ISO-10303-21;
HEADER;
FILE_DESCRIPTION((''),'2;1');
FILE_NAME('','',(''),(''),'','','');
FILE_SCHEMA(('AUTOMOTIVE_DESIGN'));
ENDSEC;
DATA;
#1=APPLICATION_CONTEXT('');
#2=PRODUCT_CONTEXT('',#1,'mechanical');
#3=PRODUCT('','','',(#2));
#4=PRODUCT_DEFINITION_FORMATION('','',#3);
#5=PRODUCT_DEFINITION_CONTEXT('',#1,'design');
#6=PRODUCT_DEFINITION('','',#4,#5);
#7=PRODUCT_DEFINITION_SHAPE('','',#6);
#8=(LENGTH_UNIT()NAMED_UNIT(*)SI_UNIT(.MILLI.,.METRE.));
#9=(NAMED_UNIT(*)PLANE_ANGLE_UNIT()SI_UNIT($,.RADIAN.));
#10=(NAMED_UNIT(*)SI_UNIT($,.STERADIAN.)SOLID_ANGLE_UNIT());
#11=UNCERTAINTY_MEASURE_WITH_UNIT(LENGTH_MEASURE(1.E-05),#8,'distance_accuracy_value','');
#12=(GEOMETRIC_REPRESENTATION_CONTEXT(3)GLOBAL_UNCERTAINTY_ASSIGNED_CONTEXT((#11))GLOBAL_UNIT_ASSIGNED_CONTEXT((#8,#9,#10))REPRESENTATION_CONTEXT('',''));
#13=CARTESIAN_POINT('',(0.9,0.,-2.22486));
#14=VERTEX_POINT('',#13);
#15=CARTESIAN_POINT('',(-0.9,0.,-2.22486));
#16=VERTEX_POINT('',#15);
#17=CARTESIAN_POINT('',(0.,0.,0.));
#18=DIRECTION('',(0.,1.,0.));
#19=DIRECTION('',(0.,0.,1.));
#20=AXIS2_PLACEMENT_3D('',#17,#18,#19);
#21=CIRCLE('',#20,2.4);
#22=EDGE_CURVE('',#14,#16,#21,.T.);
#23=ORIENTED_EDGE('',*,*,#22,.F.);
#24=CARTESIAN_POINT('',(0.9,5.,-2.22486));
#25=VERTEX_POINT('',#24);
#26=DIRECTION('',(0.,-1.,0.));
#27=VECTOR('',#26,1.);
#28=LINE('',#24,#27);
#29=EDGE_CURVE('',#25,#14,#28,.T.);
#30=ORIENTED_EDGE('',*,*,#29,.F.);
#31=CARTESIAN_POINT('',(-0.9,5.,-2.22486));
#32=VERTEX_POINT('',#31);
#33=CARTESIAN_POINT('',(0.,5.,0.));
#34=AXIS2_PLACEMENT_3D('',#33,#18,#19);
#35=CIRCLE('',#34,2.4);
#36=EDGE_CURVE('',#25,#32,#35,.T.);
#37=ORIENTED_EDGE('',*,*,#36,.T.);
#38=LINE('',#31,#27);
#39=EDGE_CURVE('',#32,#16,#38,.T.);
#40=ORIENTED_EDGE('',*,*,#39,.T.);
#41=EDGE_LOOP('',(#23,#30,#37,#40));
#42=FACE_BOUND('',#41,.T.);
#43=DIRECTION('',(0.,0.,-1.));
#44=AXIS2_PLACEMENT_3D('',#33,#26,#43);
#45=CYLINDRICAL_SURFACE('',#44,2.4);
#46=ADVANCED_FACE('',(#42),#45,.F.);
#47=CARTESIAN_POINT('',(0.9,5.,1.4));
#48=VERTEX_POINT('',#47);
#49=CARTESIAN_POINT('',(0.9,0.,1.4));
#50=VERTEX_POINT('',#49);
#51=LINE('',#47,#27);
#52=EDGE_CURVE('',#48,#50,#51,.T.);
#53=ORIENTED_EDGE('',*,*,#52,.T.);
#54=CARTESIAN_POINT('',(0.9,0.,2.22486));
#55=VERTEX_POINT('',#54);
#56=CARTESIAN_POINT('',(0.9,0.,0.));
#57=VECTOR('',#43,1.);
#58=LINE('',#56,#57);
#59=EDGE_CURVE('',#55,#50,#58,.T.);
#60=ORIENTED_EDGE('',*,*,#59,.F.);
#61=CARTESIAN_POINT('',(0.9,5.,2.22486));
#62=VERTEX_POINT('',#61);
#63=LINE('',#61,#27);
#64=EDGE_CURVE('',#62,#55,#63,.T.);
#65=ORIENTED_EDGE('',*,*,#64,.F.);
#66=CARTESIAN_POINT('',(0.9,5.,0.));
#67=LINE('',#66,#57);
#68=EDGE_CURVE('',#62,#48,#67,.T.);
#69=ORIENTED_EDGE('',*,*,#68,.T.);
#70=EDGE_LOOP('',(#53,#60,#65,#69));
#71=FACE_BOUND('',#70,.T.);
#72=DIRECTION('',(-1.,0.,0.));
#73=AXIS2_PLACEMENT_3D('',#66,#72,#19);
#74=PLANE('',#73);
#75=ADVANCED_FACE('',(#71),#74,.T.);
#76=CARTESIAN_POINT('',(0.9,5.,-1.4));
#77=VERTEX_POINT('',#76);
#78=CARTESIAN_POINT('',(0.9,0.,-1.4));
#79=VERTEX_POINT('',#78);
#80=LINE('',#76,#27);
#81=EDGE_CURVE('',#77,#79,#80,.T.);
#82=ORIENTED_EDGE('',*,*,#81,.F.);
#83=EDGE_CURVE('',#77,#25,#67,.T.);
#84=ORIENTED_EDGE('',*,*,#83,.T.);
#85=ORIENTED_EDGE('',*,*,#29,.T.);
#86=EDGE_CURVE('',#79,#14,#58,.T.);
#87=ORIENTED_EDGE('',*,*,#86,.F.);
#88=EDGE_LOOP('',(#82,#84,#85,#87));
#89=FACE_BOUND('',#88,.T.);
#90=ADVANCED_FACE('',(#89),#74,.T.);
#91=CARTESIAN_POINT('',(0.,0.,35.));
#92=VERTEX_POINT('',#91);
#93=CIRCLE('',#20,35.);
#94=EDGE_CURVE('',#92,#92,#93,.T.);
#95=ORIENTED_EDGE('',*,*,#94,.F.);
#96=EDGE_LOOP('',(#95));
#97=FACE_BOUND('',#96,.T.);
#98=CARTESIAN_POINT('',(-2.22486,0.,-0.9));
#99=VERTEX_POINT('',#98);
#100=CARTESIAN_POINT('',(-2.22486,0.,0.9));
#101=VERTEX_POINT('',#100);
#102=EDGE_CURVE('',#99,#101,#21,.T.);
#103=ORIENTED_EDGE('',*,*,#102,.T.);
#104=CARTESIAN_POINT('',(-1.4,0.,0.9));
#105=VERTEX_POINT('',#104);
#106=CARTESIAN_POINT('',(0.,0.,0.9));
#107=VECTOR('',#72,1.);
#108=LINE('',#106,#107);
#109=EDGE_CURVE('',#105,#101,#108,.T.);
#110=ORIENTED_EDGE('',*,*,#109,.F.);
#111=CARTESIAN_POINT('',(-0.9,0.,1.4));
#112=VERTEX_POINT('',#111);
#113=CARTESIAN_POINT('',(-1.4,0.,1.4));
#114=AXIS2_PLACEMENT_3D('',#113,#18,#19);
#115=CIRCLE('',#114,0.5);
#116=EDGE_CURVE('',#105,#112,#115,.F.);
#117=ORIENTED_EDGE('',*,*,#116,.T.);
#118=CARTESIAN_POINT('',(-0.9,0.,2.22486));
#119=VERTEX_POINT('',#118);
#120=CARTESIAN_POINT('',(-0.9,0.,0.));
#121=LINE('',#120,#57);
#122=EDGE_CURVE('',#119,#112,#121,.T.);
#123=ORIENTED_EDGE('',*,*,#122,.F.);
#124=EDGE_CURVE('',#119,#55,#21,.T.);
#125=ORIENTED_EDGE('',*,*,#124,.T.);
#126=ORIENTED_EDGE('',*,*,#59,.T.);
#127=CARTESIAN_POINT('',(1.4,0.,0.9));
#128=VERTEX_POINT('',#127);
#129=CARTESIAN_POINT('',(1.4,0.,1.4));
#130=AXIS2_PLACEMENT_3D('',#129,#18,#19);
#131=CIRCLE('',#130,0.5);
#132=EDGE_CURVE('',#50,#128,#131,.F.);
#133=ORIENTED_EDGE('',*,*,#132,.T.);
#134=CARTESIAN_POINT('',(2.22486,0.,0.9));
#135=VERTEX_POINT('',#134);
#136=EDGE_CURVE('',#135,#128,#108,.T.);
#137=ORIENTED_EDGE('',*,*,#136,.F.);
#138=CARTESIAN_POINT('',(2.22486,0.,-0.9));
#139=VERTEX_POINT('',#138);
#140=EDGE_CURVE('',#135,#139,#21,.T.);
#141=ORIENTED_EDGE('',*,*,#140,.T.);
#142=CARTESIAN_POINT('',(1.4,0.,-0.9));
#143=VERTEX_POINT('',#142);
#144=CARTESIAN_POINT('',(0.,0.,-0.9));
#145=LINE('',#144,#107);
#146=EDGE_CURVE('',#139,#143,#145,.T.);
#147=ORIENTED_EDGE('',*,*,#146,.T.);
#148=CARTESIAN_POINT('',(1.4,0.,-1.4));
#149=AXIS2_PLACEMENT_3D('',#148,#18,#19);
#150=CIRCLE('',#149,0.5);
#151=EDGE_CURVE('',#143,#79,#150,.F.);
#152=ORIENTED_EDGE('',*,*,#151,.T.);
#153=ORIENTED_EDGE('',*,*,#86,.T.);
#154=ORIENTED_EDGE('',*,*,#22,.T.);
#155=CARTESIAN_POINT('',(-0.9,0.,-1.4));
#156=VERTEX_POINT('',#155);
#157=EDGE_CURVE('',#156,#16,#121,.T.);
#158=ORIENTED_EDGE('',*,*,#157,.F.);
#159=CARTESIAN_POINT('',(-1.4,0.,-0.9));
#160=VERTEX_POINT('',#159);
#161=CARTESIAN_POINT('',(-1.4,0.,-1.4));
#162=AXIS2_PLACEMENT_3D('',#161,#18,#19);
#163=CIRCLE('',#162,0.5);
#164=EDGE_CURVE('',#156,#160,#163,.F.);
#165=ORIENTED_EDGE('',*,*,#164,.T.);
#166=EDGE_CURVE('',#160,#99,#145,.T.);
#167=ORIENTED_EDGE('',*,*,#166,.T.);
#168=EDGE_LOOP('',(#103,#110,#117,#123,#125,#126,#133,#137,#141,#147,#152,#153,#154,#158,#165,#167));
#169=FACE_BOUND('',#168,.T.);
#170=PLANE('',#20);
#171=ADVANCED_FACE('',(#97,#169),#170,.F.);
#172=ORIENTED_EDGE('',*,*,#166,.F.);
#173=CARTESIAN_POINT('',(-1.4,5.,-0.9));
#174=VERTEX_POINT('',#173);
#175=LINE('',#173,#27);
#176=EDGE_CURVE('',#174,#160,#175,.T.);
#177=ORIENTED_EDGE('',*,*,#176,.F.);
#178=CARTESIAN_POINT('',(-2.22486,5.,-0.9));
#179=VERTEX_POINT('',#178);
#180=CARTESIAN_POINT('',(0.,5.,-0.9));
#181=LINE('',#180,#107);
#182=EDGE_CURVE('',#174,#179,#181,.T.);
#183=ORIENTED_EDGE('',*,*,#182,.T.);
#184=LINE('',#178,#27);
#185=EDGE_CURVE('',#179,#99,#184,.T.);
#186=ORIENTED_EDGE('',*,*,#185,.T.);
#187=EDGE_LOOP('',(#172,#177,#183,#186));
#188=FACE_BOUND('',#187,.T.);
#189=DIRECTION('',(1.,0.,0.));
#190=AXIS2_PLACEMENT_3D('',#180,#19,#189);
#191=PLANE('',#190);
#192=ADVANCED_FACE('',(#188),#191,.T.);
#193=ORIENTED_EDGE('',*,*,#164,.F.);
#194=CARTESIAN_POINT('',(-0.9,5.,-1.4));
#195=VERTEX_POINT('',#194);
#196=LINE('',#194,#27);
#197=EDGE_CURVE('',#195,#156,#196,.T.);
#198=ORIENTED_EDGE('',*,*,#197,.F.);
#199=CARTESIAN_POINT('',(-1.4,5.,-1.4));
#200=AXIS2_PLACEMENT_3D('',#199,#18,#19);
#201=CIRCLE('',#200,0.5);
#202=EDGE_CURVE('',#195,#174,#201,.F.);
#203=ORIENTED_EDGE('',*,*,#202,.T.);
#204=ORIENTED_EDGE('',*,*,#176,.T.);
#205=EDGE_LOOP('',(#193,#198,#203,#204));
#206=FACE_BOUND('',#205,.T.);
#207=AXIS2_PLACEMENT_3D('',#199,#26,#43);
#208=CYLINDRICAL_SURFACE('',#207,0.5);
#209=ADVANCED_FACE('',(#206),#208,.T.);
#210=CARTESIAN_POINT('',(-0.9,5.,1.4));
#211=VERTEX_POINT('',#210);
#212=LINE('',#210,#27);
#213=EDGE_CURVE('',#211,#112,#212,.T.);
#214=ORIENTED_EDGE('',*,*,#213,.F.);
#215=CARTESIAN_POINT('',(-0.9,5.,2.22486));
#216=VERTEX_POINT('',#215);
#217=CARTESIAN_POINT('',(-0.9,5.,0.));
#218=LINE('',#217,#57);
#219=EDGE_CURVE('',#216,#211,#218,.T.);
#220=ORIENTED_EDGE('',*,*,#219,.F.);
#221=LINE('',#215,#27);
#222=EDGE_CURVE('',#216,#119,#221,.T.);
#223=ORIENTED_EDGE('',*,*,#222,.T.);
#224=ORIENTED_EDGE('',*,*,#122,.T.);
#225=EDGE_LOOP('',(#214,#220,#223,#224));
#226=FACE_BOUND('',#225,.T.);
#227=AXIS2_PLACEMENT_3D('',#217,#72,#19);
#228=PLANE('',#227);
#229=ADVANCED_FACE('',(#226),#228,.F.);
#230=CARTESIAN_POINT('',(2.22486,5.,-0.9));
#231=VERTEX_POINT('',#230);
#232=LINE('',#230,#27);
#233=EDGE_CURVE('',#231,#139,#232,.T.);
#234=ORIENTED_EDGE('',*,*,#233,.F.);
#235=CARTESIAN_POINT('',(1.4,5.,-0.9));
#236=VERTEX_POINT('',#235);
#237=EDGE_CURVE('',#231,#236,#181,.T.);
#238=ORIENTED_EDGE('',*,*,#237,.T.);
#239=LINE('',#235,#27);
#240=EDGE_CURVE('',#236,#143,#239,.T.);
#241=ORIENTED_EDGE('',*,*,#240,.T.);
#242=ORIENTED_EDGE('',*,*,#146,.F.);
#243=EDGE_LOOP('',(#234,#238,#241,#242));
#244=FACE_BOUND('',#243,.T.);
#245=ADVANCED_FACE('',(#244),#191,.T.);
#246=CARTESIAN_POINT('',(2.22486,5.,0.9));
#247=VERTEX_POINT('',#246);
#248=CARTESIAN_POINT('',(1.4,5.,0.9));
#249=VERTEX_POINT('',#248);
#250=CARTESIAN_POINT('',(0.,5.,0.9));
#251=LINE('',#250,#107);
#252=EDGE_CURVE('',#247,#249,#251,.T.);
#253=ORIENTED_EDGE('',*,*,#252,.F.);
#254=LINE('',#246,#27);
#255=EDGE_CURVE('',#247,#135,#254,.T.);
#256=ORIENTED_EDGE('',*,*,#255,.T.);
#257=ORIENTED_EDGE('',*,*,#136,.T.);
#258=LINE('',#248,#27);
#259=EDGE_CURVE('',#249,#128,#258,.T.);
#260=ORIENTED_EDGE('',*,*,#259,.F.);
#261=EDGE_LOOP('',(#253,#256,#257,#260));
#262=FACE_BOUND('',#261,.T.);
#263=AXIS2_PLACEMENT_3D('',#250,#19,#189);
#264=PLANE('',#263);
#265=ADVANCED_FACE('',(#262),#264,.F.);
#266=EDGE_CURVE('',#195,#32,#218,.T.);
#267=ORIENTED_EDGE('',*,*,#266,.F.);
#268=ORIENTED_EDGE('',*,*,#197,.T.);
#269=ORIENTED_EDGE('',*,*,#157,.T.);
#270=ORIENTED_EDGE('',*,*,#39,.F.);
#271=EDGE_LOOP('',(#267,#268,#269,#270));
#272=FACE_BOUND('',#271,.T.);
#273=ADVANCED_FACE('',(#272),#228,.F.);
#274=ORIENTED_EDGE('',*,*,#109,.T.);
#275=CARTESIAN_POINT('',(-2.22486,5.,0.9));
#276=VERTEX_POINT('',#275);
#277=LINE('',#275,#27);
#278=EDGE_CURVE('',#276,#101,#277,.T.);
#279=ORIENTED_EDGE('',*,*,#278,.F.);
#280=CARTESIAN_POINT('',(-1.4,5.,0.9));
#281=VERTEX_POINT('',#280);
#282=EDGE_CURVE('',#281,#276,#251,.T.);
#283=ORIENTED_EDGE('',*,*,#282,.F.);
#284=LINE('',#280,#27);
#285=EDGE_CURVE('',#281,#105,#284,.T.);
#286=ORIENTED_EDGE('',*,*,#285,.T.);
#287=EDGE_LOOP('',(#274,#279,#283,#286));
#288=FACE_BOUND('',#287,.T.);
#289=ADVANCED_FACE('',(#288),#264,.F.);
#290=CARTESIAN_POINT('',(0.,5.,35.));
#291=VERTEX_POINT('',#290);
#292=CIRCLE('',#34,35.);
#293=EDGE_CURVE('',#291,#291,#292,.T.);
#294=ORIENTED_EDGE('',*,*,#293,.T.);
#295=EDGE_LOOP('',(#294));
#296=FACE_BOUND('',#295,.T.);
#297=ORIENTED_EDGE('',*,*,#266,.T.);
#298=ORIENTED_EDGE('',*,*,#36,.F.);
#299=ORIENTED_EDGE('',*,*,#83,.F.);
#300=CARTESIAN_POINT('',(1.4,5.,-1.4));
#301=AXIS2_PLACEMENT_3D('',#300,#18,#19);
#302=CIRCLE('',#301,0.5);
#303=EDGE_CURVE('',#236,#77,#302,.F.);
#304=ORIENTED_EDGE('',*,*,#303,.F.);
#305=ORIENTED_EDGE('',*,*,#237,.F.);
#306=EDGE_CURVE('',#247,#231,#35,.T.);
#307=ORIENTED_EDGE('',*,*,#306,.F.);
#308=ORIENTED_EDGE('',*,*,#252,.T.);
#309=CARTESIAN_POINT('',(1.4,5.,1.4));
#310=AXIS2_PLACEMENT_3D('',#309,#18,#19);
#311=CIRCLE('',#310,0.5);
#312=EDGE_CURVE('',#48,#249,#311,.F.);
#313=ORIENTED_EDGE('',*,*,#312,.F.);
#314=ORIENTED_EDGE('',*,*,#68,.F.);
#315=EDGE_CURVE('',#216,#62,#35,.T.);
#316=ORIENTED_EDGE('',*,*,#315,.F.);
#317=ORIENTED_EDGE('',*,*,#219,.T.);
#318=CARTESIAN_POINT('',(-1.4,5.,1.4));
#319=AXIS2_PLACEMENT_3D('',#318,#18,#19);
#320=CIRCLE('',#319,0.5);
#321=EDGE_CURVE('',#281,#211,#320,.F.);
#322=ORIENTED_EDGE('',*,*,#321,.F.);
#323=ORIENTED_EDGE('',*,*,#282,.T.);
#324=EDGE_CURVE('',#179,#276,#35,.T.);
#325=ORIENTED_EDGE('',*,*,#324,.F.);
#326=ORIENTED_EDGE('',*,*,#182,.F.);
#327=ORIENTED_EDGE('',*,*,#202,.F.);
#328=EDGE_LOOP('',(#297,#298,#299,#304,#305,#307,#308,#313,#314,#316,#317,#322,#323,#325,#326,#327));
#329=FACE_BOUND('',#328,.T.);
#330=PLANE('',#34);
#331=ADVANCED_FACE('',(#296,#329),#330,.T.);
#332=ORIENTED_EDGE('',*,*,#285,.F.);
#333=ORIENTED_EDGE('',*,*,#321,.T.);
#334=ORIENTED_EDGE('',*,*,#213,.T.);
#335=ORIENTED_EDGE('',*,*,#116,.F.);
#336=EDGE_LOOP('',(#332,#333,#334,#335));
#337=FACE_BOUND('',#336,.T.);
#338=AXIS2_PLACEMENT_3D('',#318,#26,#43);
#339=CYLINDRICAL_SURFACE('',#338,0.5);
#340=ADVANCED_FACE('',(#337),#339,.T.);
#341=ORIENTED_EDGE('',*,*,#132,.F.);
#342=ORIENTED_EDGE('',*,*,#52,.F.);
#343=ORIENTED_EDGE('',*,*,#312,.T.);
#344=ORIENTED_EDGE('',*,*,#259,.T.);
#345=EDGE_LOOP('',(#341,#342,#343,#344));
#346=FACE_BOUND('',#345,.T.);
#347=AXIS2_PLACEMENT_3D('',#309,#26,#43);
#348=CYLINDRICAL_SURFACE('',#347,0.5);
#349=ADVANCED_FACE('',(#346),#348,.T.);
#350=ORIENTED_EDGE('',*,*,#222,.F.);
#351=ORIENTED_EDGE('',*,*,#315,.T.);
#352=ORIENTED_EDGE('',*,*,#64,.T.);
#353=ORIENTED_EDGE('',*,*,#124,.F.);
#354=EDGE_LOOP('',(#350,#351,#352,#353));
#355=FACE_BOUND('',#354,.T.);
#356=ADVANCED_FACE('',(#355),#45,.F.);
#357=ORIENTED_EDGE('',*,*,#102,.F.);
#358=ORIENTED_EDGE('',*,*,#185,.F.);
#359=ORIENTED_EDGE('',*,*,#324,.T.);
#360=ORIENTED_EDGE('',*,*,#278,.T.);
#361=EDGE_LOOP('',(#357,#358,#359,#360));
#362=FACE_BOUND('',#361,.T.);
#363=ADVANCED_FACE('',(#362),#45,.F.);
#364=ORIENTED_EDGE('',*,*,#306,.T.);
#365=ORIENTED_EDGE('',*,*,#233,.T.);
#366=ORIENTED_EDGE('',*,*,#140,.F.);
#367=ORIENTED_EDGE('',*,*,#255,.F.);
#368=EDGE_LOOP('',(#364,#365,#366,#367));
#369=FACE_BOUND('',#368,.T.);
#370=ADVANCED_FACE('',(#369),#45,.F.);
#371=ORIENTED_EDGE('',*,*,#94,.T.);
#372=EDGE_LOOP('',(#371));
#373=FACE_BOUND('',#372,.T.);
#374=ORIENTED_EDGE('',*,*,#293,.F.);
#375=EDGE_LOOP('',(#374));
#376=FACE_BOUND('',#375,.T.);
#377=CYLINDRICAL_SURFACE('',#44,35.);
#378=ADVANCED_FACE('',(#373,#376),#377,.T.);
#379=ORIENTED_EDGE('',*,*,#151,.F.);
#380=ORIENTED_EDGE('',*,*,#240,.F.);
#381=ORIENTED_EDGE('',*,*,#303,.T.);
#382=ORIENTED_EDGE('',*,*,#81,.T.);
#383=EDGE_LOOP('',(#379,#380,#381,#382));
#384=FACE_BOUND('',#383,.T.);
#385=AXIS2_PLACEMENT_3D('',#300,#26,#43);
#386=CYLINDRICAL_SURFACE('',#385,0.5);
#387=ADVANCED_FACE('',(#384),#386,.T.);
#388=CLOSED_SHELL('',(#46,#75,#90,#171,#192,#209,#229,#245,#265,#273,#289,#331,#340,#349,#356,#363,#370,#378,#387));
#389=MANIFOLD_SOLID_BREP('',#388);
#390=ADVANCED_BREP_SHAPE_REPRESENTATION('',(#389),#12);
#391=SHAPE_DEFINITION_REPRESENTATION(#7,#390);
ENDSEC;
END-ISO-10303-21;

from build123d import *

# Parameters (mm, degrees)
SKETCH1_R           = 35
BOSS_EXTRUDE1_DEPTH = 5


with BuildPart() as part:
    # Sketch1 → Boss-Extrude1 (new body)
    with BuildSketch(Plane(origin=(0, 0, 0), x_dir=(1, 0, 0), z_dir=(0, 1, 0))):
        Circle(SKETCH1_R)
        with BuildLine():
            Line((-1.4, 0.9), (-2.224859546, 0.9))
            ThreePointArc((-2.224859546, 0.9), (-2.4, 0), (-2.224859546, -0.9))
            Line((-2.224859546, -0.9), (-1.4, -0.9))
            ThreePointArc((-1.4, -0.9), (-1.046446609, -1.046446609), (-0.9, -1.4))
            Line((-0.9, -1.4), (-0.9, -2.224859546))
            ThreePointArc((-0.9, -2.224859546), (0, -2.4), (0.9, -2.224859546))
            Line((0.9, -2.224859546), (0.9, -1.4))
            ThreePointArc((0.9, -1.4), (1.046446609, -1.046446609), (1.4, -0.9))
            Line((1.4, -0.9), (2.224859546, -0.9))
            ThreePointArc((2.224859546, -0.9), (2.4, 0), (2.224859546, 0.9))
            Line((2.224859546, 0.9), (1.4, 0.9))
            ThreePointArc((1.4, 0.9), (1.046446609, 1.046446609), (0.9, 1.4))
            Line((0.9, 1.4), (0.9, 2.224859546))
            ThreePointArc((0.9, 2.224859546), (0, 2.4), (-0.9, 2.224859546))
            Line((-0.9, 2.224859546), (-0.9, 1.4))
            ThreePointArc((-0.9, 1.4), (-1.046446609, 1.046446609), (-1.4, 0.9))
        make_face(mode=Mode.SUBTRACT)
    extrude(amount=BOSS_EXTRUDE1_DEPTH)


solid = part.part
